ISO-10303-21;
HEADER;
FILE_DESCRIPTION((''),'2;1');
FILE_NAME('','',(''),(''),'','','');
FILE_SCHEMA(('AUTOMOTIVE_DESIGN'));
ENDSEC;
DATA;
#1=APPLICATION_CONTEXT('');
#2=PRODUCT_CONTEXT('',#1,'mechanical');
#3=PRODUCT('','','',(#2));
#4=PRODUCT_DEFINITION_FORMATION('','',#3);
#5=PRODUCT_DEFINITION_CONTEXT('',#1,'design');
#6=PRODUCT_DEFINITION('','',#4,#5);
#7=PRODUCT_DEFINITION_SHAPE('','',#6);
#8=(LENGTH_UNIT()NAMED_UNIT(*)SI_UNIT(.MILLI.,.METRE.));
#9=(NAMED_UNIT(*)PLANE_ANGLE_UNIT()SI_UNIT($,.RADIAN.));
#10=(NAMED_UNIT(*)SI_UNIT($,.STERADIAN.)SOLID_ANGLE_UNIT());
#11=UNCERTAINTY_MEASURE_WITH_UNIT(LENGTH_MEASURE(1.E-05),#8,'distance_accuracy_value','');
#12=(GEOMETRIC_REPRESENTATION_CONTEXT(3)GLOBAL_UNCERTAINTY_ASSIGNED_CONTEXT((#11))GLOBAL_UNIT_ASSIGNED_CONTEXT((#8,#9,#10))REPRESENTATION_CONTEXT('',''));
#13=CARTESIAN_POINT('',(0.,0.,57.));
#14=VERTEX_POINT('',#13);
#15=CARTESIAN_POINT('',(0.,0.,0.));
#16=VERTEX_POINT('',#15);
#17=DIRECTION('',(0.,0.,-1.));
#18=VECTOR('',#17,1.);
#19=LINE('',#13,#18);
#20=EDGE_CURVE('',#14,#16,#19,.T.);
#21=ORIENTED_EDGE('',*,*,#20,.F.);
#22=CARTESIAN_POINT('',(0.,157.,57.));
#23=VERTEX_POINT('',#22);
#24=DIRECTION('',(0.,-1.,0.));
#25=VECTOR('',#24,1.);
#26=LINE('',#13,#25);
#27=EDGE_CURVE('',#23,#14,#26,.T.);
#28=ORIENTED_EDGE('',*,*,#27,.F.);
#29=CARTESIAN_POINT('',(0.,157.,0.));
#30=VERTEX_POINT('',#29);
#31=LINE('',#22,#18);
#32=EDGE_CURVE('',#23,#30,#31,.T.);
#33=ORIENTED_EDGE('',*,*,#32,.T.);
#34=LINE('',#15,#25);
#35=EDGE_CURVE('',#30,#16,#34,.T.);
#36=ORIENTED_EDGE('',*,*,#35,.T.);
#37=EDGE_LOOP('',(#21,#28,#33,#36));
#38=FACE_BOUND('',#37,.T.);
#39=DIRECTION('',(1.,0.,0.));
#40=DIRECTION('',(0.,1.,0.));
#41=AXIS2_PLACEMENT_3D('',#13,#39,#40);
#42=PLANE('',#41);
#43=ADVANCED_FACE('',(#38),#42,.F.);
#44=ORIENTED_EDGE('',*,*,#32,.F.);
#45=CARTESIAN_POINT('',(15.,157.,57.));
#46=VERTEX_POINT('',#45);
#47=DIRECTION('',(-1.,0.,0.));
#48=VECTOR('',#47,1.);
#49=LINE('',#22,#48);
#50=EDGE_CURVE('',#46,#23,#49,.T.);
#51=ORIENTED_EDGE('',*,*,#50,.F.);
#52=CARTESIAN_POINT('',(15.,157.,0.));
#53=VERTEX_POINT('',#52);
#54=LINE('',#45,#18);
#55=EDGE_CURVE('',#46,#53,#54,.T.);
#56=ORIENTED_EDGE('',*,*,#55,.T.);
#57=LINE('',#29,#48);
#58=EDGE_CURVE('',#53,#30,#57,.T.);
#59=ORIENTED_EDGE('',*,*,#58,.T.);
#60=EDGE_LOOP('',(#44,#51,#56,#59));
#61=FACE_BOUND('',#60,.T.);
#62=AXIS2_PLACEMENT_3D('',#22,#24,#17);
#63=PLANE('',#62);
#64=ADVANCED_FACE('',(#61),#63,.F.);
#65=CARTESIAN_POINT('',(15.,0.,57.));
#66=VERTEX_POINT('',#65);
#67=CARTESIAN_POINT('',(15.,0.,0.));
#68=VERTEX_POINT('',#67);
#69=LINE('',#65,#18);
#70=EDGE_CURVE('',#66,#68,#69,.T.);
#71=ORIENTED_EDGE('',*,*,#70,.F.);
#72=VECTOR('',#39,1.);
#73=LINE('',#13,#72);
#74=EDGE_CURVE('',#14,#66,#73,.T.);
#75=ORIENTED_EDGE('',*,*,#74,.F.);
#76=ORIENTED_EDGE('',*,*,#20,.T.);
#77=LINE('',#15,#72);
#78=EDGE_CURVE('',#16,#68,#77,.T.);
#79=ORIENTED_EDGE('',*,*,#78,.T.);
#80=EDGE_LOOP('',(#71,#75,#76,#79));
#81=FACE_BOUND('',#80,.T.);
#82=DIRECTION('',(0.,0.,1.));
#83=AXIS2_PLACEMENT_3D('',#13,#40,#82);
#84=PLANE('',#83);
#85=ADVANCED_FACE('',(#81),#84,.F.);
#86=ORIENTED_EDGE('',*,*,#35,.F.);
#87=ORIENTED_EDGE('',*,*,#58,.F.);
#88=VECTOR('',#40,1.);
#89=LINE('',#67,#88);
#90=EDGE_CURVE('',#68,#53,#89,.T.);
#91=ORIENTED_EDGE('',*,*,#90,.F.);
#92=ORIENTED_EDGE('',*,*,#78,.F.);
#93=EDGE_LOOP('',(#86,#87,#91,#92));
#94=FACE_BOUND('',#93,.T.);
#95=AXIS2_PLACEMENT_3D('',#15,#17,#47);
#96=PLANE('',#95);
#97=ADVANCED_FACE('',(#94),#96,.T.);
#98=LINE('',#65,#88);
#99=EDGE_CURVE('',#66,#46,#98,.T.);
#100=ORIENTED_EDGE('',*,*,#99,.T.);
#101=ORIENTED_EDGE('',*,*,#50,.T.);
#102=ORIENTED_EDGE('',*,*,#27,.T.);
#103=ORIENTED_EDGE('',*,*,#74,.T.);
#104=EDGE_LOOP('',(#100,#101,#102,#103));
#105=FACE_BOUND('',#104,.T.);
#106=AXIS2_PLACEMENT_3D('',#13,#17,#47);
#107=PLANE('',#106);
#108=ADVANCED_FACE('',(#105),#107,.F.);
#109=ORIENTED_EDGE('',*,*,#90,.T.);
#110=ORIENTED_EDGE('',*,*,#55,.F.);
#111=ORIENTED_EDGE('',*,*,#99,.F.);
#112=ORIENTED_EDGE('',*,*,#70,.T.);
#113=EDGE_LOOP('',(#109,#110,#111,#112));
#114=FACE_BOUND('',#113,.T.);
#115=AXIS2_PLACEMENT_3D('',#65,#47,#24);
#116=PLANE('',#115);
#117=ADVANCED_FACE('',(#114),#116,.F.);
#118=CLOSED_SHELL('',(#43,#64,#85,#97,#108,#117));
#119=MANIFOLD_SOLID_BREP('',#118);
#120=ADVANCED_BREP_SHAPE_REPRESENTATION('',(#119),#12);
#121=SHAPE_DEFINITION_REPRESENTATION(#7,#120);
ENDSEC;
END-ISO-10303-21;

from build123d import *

# Parameters (mm, degrees)
SKETCH1_W           = 15
SKETCH1_H           = 157
BOSS_EXTRUDE1_DEPTH = 57


with BuildPart() as part:
    # Sketch1 → Boss-Extrude1 (new body)
    with BuildSketch(Plane.XY):
        with Locations((7.5, 78.5)):
            Rectangle(SKETCH1_W, SKETCH1_H)
    extrude(amount=BOSS_EXTRUDE1_DEPTH)


solid = part.part
